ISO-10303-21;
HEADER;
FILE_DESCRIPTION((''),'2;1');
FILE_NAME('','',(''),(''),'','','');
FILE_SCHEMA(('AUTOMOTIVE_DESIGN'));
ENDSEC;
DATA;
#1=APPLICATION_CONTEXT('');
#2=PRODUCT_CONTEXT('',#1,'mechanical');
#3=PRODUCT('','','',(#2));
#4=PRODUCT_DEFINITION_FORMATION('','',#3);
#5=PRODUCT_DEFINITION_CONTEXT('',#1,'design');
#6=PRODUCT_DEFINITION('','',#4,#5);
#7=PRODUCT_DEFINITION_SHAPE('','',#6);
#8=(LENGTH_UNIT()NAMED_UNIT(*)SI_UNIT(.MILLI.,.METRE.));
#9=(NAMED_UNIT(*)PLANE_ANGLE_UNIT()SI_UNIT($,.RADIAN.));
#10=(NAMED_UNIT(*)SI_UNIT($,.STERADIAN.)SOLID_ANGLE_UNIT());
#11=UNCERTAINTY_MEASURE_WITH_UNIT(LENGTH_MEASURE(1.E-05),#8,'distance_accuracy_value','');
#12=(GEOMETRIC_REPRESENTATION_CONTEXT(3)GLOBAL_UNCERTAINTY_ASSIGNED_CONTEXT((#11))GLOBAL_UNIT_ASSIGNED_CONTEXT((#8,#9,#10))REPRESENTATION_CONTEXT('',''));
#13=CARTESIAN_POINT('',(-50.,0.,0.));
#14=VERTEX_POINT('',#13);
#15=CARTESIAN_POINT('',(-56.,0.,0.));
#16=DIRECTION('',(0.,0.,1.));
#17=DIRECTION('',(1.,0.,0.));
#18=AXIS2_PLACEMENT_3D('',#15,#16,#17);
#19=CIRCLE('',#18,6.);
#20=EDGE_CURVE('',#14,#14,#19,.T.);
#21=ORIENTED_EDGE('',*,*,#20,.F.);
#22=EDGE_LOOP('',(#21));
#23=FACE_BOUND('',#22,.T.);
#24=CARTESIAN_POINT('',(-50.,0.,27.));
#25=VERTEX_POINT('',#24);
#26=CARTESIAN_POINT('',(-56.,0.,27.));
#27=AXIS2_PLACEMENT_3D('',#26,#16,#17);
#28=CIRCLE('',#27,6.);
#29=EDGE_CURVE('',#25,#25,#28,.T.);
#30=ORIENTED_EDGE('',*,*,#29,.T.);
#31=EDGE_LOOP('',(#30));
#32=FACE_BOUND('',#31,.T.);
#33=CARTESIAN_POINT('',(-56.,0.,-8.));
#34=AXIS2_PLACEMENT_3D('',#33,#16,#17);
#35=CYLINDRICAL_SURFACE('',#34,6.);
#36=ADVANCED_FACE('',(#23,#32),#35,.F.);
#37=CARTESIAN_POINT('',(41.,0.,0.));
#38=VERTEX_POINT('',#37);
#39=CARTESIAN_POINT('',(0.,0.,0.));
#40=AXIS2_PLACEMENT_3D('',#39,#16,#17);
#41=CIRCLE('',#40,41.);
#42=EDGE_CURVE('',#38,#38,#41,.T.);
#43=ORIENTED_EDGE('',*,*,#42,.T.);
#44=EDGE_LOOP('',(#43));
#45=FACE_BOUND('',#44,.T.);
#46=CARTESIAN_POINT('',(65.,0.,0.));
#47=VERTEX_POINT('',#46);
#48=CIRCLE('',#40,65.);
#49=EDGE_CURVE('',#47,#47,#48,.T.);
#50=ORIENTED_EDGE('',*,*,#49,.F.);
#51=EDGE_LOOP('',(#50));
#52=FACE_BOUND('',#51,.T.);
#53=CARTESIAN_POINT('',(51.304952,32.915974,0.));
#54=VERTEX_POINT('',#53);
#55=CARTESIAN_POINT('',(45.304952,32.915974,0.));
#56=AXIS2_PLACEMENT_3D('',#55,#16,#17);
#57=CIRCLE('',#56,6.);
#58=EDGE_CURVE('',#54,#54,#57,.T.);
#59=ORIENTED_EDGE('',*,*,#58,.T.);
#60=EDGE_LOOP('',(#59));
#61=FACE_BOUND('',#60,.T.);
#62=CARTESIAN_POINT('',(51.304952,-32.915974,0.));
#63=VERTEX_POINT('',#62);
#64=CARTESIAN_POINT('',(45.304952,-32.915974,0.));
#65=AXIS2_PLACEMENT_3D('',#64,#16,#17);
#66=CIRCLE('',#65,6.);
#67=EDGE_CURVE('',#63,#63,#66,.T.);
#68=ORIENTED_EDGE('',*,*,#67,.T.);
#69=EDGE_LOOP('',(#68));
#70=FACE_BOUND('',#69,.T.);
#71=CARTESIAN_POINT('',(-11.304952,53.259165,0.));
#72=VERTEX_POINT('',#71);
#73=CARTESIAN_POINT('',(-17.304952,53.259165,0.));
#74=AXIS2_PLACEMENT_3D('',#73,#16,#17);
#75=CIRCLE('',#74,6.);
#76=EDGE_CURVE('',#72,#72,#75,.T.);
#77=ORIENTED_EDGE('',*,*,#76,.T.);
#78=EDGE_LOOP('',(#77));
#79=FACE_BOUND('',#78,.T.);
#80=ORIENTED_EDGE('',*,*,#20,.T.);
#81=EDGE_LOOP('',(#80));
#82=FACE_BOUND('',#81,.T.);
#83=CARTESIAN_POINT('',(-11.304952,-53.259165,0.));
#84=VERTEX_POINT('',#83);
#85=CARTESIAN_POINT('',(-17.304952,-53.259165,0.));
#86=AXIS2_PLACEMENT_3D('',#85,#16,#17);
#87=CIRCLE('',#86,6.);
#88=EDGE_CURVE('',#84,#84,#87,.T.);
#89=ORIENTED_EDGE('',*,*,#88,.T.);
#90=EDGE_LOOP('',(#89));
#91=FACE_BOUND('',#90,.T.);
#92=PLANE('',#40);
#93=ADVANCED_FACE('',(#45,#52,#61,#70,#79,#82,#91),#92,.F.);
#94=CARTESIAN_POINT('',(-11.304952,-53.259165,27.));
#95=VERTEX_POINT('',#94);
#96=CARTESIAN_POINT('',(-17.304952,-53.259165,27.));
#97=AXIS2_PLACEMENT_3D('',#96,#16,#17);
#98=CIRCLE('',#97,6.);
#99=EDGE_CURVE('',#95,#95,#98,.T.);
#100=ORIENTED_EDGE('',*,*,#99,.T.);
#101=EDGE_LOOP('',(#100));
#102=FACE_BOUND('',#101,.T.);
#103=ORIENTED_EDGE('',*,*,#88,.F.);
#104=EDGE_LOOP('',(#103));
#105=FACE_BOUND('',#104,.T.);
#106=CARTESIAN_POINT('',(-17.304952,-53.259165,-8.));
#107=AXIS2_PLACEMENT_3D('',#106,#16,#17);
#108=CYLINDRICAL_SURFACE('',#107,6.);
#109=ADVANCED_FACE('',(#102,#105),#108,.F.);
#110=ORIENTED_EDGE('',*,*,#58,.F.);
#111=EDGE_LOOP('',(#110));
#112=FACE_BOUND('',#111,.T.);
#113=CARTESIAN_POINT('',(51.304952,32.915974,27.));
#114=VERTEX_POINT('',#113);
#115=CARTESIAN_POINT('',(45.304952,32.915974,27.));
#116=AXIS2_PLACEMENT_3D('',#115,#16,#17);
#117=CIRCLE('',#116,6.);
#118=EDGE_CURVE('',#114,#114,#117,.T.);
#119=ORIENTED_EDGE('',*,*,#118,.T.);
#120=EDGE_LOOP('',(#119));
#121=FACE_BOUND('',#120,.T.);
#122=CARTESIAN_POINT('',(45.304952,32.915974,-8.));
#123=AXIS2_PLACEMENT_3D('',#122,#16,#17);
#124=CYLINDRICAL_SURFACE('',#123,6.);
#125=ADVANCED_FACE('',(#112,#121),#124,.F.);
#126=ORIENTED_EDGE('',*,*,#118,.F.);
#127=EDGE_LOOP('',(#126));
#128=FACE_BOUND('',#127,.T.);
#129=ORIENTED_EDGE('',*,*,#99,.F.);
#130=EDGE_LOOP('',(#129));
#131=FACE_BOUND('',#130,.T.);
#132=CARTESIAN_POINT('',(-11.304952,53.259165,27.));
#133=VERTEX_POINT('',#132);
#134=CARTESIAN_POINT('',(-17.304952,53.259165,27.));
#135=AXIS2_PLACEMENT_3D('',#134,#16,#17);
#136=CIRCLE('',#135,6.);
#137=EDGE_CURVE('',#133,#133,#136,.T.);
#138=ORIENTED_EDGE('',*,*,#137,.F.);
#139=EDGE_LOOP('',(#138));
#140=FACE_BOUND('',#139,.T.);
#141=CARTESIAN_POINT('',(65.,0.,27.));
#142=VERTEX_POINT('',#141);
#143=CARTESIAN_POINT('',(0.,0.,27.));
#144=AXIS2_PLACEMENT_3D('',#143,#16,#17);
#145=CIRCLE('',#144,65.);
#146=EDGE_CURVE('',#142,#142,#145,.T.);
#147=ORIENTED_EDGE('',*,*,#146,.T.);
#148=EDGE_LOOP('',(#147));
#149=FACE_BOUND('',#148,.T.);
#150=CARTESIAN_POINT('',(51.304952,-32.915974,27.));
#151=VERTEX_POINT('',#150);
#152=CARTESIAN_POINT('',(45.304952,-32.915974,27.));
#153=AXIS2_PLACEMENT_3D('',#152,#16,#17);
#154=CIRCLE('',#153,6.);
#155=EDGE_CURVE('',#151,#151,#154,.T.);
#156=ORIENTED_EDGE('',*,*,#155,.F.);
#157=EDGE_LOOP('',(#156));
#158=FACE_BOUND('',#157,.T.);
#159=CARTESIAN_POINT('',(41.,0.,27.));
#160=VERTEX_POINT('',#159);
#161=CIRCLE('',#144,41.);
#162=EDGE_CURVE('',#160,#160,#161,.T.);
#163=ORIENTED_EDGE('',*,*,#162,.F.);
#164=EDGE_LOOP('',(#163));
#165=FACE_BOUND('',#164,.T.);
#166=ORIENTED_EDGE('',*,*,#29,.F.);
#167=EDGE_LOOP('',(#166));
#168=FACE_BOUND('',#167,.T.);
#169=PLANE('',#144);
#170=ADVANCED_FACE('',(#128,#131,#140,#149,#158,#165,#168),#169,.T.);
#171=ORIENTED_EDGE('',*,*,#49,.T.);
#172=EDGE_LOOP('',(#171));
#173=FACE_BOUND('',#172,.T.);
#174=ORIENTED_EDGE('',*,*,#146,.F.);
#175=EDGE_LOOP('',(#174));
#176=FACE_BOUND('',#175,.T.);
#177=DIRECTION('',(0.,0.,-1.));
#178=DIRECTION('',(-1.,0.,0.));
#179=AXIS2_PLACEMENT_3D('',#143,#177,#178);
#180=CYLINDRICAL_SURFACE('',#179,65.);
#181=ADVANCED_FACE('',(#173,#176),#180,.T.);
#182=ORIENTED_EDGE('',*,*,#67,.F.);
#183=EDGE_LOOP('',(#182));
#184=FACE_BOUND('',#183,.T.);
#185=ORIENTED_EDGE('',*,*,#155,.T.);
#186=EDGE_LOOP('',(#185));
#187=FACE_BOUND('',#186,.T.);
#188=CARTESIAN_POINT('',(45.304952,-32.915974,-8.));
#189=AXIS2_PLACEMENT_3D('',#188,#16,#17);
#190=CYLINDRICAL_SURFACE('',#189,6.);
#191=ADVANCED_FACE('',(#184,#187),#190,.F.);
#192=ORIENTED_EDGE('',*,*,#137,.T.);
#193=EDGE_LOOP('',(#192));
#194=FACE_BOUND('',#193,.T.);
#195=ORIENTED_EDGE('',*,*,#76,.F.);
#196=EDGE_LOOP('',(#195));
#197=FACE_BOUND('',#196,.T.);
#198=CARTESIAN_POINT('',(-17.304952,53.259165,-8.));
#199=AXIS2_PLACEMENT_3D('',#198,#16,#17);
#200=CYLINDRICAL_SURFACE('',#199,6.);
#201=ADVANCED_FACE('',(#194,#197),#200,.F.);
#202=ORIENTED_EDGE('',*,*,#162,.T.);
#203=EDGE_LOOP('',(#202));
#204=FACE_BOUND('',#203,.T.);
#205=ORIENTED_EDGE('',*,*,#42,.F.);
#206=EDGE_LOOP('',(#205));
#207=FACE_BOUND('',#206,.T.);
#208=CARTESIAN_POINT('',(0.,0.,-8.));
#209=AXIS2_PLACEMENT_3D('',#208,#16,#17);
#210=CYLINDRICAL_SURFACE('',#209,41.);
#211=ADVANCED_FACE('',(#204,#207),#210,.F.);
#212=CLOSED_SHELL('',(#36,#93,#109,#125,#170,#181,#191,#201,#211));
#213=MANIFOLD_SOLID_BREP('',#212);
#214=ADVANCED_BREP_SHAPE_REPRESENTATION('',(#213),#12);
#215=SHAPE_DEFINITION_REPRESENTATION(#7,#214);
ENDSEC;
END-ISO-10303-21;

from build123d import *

# Parameters (mm, degrees)
SZKIC1_R                    = 65
DODANIE_WYCI_GNI_CIE1_DEPTH = 27
SZKIC2_R                    = 6
SZKIC2_R_2                  = 41
WYTNIJ_WYCI_GNI_CIE1_DEPTH  = 35


with BuildPart() as part:
    # Szkic1 → Dodanie-wyciągnięcie1 (new body)
    with BuildSketch(Plane.XY):
        Circle(SZKIC1_R)
    extrude(amount=DODANIE_WYCI_GNI_CIE1_DEPTH)

    # Szkic2 → Wytnij-wyciągnięcie1 (cut)
    with BuildSketch(Plane.XY.offset(27)):
        with Locations((-56, 0)):
            Circle(SZKIC2_R)
        with Locations((-17.304951685, 53.259164913)):
            Circle(SZKIC2_R)
        with Locations((45.304951685, 32.915974128)):
            Circle(SZKIC2_R)
        with Locations((45.304951685, -32.915974128)):
            Circle(SZKIC2_R)
        with Locations((-17.304951685, -53.259164913)):
            Circle(SZKIC2_R)
        Circle(SZKIC2_R_2)
    extrude(amount=-WYTNIJ_WYCI_GNI_CIE1_DEPTH, mode=Mode.SUBTRACT)


solid = part.part
